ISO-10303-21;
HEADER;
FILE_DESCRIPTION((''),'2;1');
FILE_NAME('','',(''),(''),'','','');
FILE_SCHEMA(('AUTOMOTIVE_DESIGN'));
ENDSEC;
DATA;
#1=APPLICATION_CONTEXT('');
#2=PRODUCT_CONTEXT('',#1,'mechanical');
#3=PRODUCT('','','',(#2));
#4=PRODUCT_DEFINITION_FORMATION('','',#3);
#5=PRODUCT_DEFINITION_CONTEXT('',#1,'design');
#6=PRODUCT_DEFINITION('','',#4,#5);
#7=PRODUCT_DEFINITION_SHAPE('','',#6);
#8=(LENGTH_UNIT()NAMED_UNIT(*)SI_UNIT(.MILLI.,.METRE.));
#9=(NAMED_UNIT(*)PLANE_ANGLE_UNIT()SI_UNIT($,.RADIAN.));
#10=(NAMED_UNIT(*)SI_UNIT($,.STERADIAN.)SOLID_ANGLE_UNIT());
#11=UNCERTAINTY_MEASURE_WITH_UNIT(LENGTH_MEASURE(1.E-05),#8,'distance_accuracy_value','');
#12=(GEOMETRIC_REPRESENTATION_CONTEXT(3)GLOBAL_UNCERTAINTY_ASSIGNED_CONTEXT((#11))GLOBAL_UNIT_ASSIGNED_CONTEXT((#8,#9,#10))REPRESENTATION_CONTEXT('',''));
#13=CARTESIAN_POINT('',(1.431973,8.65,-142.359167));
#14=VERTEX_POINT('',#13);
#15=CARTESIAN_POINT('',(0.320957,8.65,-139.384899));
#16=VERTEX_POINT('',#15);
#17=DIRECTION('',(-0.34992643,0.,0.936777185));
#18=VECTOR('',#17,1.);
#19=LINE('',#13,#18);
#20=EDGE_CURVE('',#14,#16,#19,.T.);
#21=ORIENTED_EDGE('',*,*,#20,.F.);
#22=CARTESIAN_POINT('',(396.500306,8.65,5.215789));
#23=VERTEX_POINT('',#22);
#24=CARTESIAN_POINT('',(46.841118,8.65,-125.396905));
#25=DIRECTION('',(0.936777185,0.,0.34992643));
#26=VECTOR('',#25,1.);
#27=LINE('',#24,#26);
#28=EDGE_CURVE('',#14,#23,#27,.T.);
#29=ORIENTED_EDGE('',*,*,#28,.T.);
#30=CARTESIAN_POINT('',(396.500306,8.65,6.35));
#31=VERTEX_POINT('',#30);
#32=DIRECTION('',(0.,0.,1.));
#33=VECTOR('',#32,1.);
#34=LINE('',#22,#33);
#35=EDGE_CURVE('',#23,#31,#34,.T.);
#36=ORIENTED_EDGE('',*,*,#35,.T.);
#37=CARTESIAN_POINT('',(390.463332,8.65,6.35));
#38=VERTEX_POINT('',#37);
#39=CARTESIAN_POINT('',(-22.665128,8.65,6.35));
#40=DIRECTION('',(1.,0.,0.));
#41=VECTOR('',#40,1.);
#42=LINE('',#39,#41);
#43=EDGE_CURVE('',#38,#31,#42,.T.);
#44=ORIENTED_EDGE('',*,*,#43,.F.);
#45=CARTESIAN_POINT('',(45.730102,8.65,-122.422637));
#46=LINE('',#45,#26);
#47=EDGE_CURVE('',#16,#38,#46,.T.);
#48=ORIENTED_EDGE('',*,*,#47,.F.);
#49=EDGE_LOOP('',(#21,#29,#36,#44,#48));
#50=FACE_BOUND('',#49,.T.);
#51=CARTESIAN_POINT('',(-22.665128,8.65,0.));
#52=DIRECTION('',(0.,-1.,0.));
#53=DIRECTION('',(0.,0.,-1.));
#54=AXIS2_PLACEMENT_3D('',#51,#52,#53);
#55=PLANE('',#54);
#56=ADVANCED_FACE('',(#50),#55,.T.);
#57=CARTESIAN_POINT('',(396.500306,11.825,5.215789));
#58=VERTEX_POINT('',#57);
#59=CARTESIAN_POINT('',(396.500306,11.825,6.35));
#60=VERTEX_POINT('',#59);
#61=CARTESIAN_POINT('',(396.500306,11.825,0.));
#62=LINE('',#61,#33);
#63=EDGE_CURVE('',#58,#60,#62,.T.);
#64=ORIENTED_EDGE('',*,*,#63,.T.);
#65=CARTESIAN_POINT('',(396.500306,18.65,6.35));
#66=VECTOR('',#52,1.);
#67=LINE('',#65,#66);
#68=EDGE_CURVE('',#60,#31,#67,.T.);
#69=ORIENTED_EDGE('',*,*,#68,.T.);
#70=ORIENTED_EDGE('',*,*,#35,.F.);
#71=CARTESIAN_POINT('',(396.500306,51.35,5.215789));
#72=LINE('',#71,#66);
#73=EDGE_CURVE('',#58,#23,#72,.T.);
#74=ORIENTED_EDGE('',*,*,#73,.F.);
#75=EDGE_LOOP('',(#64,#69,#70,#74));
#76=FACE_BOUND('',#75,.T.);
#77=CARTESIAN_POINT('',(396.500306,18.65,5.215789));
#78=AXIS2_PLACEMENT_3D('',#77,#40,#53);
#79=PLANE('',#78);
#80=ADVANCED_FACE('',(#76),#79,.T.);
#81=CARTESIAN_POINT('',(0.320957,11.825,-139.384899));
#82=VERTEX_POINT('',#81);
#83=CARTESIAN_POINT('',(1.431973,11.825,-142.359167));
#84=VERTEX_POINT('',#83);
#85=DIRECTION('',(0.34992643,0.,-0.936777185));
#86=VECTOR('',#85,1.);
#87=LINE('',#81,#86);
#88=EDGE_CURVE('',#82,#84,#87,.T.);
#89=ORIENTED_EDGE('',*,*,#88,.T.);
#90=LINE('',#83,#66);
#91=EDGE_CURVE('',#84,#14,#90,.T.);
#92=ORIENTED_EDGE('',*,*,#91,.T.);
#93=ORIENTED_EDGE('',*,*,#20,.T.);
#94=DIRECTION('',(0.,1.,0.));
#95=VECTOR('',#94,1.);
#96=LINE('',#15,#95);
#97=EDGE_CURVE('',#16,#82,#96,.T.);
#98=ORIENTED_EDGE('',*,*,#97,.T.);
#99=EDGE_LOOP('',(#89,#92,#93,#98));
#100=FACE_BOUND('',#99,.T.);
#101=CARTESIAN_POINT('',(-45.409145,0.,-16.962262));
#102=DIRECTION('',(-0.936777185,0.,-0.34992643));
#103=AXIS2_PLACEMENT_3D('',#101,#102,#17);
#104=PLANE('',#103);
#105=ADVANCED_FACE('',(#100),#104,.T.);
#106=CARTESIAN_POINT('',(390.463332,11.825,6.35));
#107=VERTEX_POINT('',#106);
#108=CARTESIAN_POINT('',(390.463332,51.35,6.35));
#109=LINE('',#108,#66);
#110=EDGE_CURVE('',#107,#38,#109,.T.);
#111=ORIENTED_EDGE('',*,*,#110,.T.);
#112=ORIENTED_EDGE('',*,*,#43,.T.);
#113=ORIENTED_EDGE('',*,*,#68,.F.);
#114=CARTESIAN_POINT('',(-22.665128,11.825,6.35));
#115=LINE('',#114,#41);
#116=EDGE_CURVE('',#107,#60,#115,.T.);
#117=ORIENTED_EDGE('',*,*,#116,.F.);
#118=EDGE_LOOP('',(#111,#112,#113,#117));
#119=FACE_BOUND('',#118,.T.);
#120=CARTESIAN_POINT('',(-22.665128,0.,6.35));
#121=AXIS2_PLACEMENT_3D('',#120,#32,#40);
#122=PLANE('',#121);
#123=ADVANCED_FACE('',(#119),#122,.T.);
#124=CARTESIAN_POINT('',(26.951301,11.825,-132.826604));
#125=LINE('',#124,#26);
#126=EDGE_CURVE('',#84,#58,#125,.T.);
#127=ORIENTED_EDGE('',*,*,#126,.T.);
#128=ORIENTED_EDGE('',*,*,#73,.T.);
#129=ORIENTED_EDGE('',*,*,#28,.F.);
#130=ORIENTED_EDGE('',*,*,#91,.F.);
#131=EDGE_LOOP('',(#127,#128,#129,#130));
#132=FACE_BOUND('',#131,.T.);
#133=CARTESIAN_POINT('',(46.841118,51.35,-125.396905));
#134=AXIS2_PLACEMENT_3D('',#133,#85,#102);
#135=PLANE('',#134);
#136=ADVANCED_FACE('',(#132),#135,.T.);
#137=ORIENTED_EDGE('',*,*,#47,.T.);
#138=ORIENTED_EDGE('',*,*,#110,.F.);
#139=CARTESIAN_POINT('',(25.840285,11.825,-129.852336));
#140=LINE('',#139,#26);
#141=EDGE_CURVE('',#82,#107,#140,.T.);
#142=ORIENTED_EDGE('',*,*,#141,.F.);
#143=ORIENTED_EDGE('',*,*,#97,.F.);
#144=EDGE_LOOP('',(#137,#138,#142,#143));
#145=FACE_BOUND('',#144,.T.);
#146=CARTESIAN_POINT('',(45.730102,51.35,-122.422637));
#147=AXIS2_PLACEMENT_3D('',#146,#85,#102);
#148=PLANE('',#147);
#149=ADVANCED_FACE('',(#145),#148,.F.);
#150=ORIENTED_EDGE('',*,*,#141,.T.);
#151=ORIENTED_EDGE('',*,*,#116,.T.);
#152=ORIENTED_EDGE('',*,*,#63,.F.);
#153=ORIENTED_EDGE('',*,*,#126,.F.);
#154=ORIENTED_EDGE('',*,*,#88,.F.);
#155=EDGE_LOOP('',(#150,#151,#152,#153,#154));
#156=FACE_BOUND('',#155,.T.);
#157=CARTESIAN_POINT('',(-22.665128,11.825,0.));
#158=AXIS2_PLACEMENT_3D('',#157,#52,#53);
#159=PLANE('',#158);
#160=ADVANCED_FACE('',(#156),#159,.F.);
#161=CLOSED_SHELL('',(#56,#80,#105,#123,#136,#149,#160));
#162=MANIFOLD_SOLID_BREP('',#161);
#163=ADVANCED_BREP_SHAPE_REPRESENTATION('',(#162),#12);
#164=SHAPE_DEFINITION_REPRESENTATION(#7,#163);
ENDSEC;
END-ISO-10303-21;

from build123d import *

# Parameters (mm, degrees)
BOSS_EXTRUDE1_DEPTH   = 3.175
BOSS_EXTRUDE1_2_DEPTH = 3.175
SKETCH2_W             = 3.175
SKETCH2_H             = 36.35
BOSS_EXTRUDE2_DEPTH   = 3.175
SKETCH3_W             = 3.175
SKETCH3_H             = 3.175
BOSS_EXTRUDE8_DEPTH   = 423.175
BOSS_EXTRUDE8_2_DEPTH = 423.175
SKETCH4_W             = 3.175
SKETCH4_H             = 36.35
CUT_EXTRUDE1_DEPTH    = 427.326430831
CUT_EXTRUDE5_DEPTH    = 408.294257878
BOSS_EXTRUDE9_DEPTH   = 3.175
SKETCH8_R             = 22.246551504
CUT_EXTRUDE6_DEPTH    = 30
SKETCH9_W             = 3.175
SKETCH9_H             = 3.175
BOSS_EXTRUDE10_DEPTH  = 9.525
SKETCH10_W            = 3.036361865
SKETCH10_H            = 1.134211297
CUT_EXTRUDE7_DEPTH    = 10


with BuildPart() as part:
    # Sketch1 → Boss-Extrude1 (new body)
    with BuildSketch(Plane.XY):
        Polygon((15, 45), (405, 45), (405, 48.175), (18.175, 48.175), (-18.175, 48.175), (-18.175, 45), (-15, 45), align=None)
    extrude(amount=BOSS_EXTRUDE1_DEPTH)



with BuildPart() as body_2:
    # Sketch1 → Boss-Extrude1 2 (new body)
    with BuildSketch(Plane.XY):
        Polygon((-18.175, 15), (-15, 15), (15, 15), (405, 15), (405, 11.825), (18.175, 11.825), (-18.175, 11.825), align=None)
    extrude(amount=BOSS_EXTRUDE1_2_DEPTH)


with BuildPart() as part_1:
    add(part.part)

    add(body_2.part)  # Boss-Extrude2 merges body 2
    # Sketch2 → Boss-Extrude2 (add)
    with BuildSketch(Plane.XY.offset(3.175)):
        with Locations((-16.5875, 30)):
            Rectangle(SKETCH2_W, SKETCH2_H)
        Polygon((15, 11.825), (22.589723325, 11.825), (112.5, 46.473699254), (112.5, 12.285600704), (112.5, 11.825), (120.025102002, 11.825), (208.4125, 46.469905429), (208.4125, 11.825), (215.937602002, 11.825), (304.325, 46.469905429), (304.325, 11.825), (311.914723325, 11.825), (401.825, 46.473699254), (401.825, 11.825), (405, 11.825), (405, 48.175), (397.410276675, 48.175), (307.5, 13.526300746), (307.5, 48.175), (299.974897998, 48.175), (211.5875, 13.530094571), (211.5875, 48.175), (204.062397998, 48.175), (115.675, 13.530094571), (115.675, 48.175), (108.085276675, 48.175), (18.175, 13.526300746), (18.175, 48.175), (15, 48.175), align=None)
    extrude(amount=BOSS_EXTRUDE2_DEPTH)

    # Sketch4 → Cut-Extrude1 (cut, through all)
    with BuildSketch(Plane(origin=(405, 0, 0), x_dir=(0, 0, -1), z_dir=(1, 0, 0))):
        with Locations((-1.5875, 30)):
            Rectangle(SKETCH4_W, SKETCH4_H)
    extrude(amount=-CUT_EXTRUDE1_DEPTH, mode=Mode.SUBTRACT)


with BuildPart() as body_2_2:
    # Sketch3 → Boss-Extrude8 (new body)
    with BuildSketch(Plane(origin=(405, 0, 0), x_dir=(0, 0, -1), z_dir=(1, 0, 0))):
        with Locations((-4.7625, 49.7625)):
            Rectangle(SKETCH3_W, SKETCH3_H)
    extrude(amount=-BOSS_EXTRUDE8_DEPTH)


with BuildPart() as body_3:
    # Sketch3 → Boss-Extrude8 2 (new body)
    with BuildSketch(Plane(origin=(405, 0, 0), x_dir=(0, 0, -1), z_dir=(1, 0, 0))):
        with Locations((-4.7625, 10.2375)):
            Rectangle(SKETCH3_W, SKETCH3_H)
    extrude(amount=-BOSS_EXTRUDE8_2_DEPTH)


with BuildPart() as cut_extrude1_piece_1:
    # of the separate pieces the step leaves, piece 1, a body of its own (cut_extrude1_pieces)
    add(part_1.part.solids().sort_by_distance((401.825, 11.825, 3.175))[0])


with BuildPart() as cut_extrude1_piece_2:
    # of the separate pieces the step leaves, piece 2, a body of its own (cut_extrude1_pieces)
    add(part_1.part.solids().sort_by_distance((-15, 48.175, 3.175))[0])


with BuildPart() as cut_extrude5_tool:
    # Sketch5 → Cut-Extrude5 (new, through all)
    with BuildSketch(Plane.XZ.offset(-8.65)):
        Polygon((-18.175, 6.35), (-18.175, 3.175), (381.963638135, 3.175), (390.463332101, 6.35), align=None)
        Polygon((405, 6.35), (399.536667899, 6.35), (391.036973934, 3.175), (405, 3.175), align=None)
    extrude(amount=-CUT_EXTRUDE5_DEPTH)


with BuildPart() as body_2_2_1:
    add(body_2_2.part)

    # Cut-Extrude5: cut by cut_extrude5_tool
    add(cut_extrude5_tool.part, mode=Mode.SUBTRACT)


with BuildPart() as body_3_1:
    add(body_3.part)

    # Cut-Extrude5: cut by cut_extrude5_tool
    add(cut_extrude5_tool.part, mode=Mode.SUBTRACT)

    # Sketch5<3> → Boss-Extrude9 (add)
    with BuildSketch(Plane.XZ.offset(-8.65)):
        with BuildLine():
            Line((391.036973934, 3.175), (381.963638135, 3.175))
            Line((381.963638135, 3.175), (13.554929678, -134.441442909))
            ThreePointArc((13.554929678, -134.441442909), (14.260668904, -135.872458965), (14.665946091, -137.415710471))
            Line((14.665946091, -137.415710471), (391.036973934, 3.175))
        make_face()
        with BuildLine():
            ThreePointArc((14.665946091, -137.415710471), (14.260668904, -135.872458965), (13.554929678, -134.441442909))
            Line((13.554929678, -134.441442909), (9.243759355, -136.051849805))
            Line((9.243759355, -136.051849805), (10.354775769, -139.026117367))
            Line((10.354775769, -139.026117367), (14.665946091, -137.415710471))
        make_face()
    extrude(amount=-BOSS_EXTRUDE9_DEPTH)

    # Sketch9 → Boss-Extrude10 (add)
    with BuildSketch(Plane(origin=(-36.486342691, 0, -13.62921283), x_dir=(-0.34992642955188064, 0, 0.93677718476758), z_dir=(-0.93677718476758, 0, -0.34992642955188064))):
        with Locations((-132.27240455, 10.2375)):
            Rectangle(SKETCH9_W, SKETCH9_H)
    extrude(amount=BOSS_EXTRUDE10_DEPTH)

    # Sketch10 → Cut-Extrude7 (cut)
    with BuildSketch(Plane.XZ.offset(-8.65)):
        with Locations((398.018486967, 5.782894352)):
            Rectangle(SKETCH10_W, SKETCH10_H)
    extrude(amount=-CUT_EXTRUDE7_DEPTH, mode=Mode.SUBTRACT)


with BuildPart() as cut_extrude1_piece_1_1:
    add(cut_extrude1_piece_1.part)

    # Cut-Extrude5: cut by cut_extrude5_tool
    add(cut_extrude5_tool.part, mode=Mode.SUBTRACT)


with BuildPart() as cut_extrude1_piece_2_1:
    add(cut_extrude1_piece_2.part)

    # Cut-Extrude5: cut by cut_extrude5_tool
    add(cut_extrude5_tool.part, mode=Mode.SUBTRACT)


with BuildPart() as cut_extrude6_tool:
    # Sketch8 → Cut-Extrude6 (new body)
    with BuildSketch(Plane(origin=(0, 51.35, 0), x_dir=(1, 0, 0), z_dir=(0, 1, 0))):
        with Locations((390.031158892, -4.957539076)):
            Circle(SKETCH8_R)
    extrude(amount=-CUT_EXTRUDE6_DEPTH)


with BuildPart() as body_2_2_2:
    add(body_2_2_1.part)

    # Cut-Extrude6: cut by cut_extrude6_tool
    add(cut_extrude6_tool.part, mode=Mode.SUBTRACT)


with BuildPart() as cut_extrude1_piece_1_2:
    add(cut_extrude1_piece_1_1.part)

    # Cut-Extrude6: cut by cut_extrude6_tool
    add(cut_extrude6_tool.part, mode=Mode.SUBTRACT)


solid = body_3_1.part
